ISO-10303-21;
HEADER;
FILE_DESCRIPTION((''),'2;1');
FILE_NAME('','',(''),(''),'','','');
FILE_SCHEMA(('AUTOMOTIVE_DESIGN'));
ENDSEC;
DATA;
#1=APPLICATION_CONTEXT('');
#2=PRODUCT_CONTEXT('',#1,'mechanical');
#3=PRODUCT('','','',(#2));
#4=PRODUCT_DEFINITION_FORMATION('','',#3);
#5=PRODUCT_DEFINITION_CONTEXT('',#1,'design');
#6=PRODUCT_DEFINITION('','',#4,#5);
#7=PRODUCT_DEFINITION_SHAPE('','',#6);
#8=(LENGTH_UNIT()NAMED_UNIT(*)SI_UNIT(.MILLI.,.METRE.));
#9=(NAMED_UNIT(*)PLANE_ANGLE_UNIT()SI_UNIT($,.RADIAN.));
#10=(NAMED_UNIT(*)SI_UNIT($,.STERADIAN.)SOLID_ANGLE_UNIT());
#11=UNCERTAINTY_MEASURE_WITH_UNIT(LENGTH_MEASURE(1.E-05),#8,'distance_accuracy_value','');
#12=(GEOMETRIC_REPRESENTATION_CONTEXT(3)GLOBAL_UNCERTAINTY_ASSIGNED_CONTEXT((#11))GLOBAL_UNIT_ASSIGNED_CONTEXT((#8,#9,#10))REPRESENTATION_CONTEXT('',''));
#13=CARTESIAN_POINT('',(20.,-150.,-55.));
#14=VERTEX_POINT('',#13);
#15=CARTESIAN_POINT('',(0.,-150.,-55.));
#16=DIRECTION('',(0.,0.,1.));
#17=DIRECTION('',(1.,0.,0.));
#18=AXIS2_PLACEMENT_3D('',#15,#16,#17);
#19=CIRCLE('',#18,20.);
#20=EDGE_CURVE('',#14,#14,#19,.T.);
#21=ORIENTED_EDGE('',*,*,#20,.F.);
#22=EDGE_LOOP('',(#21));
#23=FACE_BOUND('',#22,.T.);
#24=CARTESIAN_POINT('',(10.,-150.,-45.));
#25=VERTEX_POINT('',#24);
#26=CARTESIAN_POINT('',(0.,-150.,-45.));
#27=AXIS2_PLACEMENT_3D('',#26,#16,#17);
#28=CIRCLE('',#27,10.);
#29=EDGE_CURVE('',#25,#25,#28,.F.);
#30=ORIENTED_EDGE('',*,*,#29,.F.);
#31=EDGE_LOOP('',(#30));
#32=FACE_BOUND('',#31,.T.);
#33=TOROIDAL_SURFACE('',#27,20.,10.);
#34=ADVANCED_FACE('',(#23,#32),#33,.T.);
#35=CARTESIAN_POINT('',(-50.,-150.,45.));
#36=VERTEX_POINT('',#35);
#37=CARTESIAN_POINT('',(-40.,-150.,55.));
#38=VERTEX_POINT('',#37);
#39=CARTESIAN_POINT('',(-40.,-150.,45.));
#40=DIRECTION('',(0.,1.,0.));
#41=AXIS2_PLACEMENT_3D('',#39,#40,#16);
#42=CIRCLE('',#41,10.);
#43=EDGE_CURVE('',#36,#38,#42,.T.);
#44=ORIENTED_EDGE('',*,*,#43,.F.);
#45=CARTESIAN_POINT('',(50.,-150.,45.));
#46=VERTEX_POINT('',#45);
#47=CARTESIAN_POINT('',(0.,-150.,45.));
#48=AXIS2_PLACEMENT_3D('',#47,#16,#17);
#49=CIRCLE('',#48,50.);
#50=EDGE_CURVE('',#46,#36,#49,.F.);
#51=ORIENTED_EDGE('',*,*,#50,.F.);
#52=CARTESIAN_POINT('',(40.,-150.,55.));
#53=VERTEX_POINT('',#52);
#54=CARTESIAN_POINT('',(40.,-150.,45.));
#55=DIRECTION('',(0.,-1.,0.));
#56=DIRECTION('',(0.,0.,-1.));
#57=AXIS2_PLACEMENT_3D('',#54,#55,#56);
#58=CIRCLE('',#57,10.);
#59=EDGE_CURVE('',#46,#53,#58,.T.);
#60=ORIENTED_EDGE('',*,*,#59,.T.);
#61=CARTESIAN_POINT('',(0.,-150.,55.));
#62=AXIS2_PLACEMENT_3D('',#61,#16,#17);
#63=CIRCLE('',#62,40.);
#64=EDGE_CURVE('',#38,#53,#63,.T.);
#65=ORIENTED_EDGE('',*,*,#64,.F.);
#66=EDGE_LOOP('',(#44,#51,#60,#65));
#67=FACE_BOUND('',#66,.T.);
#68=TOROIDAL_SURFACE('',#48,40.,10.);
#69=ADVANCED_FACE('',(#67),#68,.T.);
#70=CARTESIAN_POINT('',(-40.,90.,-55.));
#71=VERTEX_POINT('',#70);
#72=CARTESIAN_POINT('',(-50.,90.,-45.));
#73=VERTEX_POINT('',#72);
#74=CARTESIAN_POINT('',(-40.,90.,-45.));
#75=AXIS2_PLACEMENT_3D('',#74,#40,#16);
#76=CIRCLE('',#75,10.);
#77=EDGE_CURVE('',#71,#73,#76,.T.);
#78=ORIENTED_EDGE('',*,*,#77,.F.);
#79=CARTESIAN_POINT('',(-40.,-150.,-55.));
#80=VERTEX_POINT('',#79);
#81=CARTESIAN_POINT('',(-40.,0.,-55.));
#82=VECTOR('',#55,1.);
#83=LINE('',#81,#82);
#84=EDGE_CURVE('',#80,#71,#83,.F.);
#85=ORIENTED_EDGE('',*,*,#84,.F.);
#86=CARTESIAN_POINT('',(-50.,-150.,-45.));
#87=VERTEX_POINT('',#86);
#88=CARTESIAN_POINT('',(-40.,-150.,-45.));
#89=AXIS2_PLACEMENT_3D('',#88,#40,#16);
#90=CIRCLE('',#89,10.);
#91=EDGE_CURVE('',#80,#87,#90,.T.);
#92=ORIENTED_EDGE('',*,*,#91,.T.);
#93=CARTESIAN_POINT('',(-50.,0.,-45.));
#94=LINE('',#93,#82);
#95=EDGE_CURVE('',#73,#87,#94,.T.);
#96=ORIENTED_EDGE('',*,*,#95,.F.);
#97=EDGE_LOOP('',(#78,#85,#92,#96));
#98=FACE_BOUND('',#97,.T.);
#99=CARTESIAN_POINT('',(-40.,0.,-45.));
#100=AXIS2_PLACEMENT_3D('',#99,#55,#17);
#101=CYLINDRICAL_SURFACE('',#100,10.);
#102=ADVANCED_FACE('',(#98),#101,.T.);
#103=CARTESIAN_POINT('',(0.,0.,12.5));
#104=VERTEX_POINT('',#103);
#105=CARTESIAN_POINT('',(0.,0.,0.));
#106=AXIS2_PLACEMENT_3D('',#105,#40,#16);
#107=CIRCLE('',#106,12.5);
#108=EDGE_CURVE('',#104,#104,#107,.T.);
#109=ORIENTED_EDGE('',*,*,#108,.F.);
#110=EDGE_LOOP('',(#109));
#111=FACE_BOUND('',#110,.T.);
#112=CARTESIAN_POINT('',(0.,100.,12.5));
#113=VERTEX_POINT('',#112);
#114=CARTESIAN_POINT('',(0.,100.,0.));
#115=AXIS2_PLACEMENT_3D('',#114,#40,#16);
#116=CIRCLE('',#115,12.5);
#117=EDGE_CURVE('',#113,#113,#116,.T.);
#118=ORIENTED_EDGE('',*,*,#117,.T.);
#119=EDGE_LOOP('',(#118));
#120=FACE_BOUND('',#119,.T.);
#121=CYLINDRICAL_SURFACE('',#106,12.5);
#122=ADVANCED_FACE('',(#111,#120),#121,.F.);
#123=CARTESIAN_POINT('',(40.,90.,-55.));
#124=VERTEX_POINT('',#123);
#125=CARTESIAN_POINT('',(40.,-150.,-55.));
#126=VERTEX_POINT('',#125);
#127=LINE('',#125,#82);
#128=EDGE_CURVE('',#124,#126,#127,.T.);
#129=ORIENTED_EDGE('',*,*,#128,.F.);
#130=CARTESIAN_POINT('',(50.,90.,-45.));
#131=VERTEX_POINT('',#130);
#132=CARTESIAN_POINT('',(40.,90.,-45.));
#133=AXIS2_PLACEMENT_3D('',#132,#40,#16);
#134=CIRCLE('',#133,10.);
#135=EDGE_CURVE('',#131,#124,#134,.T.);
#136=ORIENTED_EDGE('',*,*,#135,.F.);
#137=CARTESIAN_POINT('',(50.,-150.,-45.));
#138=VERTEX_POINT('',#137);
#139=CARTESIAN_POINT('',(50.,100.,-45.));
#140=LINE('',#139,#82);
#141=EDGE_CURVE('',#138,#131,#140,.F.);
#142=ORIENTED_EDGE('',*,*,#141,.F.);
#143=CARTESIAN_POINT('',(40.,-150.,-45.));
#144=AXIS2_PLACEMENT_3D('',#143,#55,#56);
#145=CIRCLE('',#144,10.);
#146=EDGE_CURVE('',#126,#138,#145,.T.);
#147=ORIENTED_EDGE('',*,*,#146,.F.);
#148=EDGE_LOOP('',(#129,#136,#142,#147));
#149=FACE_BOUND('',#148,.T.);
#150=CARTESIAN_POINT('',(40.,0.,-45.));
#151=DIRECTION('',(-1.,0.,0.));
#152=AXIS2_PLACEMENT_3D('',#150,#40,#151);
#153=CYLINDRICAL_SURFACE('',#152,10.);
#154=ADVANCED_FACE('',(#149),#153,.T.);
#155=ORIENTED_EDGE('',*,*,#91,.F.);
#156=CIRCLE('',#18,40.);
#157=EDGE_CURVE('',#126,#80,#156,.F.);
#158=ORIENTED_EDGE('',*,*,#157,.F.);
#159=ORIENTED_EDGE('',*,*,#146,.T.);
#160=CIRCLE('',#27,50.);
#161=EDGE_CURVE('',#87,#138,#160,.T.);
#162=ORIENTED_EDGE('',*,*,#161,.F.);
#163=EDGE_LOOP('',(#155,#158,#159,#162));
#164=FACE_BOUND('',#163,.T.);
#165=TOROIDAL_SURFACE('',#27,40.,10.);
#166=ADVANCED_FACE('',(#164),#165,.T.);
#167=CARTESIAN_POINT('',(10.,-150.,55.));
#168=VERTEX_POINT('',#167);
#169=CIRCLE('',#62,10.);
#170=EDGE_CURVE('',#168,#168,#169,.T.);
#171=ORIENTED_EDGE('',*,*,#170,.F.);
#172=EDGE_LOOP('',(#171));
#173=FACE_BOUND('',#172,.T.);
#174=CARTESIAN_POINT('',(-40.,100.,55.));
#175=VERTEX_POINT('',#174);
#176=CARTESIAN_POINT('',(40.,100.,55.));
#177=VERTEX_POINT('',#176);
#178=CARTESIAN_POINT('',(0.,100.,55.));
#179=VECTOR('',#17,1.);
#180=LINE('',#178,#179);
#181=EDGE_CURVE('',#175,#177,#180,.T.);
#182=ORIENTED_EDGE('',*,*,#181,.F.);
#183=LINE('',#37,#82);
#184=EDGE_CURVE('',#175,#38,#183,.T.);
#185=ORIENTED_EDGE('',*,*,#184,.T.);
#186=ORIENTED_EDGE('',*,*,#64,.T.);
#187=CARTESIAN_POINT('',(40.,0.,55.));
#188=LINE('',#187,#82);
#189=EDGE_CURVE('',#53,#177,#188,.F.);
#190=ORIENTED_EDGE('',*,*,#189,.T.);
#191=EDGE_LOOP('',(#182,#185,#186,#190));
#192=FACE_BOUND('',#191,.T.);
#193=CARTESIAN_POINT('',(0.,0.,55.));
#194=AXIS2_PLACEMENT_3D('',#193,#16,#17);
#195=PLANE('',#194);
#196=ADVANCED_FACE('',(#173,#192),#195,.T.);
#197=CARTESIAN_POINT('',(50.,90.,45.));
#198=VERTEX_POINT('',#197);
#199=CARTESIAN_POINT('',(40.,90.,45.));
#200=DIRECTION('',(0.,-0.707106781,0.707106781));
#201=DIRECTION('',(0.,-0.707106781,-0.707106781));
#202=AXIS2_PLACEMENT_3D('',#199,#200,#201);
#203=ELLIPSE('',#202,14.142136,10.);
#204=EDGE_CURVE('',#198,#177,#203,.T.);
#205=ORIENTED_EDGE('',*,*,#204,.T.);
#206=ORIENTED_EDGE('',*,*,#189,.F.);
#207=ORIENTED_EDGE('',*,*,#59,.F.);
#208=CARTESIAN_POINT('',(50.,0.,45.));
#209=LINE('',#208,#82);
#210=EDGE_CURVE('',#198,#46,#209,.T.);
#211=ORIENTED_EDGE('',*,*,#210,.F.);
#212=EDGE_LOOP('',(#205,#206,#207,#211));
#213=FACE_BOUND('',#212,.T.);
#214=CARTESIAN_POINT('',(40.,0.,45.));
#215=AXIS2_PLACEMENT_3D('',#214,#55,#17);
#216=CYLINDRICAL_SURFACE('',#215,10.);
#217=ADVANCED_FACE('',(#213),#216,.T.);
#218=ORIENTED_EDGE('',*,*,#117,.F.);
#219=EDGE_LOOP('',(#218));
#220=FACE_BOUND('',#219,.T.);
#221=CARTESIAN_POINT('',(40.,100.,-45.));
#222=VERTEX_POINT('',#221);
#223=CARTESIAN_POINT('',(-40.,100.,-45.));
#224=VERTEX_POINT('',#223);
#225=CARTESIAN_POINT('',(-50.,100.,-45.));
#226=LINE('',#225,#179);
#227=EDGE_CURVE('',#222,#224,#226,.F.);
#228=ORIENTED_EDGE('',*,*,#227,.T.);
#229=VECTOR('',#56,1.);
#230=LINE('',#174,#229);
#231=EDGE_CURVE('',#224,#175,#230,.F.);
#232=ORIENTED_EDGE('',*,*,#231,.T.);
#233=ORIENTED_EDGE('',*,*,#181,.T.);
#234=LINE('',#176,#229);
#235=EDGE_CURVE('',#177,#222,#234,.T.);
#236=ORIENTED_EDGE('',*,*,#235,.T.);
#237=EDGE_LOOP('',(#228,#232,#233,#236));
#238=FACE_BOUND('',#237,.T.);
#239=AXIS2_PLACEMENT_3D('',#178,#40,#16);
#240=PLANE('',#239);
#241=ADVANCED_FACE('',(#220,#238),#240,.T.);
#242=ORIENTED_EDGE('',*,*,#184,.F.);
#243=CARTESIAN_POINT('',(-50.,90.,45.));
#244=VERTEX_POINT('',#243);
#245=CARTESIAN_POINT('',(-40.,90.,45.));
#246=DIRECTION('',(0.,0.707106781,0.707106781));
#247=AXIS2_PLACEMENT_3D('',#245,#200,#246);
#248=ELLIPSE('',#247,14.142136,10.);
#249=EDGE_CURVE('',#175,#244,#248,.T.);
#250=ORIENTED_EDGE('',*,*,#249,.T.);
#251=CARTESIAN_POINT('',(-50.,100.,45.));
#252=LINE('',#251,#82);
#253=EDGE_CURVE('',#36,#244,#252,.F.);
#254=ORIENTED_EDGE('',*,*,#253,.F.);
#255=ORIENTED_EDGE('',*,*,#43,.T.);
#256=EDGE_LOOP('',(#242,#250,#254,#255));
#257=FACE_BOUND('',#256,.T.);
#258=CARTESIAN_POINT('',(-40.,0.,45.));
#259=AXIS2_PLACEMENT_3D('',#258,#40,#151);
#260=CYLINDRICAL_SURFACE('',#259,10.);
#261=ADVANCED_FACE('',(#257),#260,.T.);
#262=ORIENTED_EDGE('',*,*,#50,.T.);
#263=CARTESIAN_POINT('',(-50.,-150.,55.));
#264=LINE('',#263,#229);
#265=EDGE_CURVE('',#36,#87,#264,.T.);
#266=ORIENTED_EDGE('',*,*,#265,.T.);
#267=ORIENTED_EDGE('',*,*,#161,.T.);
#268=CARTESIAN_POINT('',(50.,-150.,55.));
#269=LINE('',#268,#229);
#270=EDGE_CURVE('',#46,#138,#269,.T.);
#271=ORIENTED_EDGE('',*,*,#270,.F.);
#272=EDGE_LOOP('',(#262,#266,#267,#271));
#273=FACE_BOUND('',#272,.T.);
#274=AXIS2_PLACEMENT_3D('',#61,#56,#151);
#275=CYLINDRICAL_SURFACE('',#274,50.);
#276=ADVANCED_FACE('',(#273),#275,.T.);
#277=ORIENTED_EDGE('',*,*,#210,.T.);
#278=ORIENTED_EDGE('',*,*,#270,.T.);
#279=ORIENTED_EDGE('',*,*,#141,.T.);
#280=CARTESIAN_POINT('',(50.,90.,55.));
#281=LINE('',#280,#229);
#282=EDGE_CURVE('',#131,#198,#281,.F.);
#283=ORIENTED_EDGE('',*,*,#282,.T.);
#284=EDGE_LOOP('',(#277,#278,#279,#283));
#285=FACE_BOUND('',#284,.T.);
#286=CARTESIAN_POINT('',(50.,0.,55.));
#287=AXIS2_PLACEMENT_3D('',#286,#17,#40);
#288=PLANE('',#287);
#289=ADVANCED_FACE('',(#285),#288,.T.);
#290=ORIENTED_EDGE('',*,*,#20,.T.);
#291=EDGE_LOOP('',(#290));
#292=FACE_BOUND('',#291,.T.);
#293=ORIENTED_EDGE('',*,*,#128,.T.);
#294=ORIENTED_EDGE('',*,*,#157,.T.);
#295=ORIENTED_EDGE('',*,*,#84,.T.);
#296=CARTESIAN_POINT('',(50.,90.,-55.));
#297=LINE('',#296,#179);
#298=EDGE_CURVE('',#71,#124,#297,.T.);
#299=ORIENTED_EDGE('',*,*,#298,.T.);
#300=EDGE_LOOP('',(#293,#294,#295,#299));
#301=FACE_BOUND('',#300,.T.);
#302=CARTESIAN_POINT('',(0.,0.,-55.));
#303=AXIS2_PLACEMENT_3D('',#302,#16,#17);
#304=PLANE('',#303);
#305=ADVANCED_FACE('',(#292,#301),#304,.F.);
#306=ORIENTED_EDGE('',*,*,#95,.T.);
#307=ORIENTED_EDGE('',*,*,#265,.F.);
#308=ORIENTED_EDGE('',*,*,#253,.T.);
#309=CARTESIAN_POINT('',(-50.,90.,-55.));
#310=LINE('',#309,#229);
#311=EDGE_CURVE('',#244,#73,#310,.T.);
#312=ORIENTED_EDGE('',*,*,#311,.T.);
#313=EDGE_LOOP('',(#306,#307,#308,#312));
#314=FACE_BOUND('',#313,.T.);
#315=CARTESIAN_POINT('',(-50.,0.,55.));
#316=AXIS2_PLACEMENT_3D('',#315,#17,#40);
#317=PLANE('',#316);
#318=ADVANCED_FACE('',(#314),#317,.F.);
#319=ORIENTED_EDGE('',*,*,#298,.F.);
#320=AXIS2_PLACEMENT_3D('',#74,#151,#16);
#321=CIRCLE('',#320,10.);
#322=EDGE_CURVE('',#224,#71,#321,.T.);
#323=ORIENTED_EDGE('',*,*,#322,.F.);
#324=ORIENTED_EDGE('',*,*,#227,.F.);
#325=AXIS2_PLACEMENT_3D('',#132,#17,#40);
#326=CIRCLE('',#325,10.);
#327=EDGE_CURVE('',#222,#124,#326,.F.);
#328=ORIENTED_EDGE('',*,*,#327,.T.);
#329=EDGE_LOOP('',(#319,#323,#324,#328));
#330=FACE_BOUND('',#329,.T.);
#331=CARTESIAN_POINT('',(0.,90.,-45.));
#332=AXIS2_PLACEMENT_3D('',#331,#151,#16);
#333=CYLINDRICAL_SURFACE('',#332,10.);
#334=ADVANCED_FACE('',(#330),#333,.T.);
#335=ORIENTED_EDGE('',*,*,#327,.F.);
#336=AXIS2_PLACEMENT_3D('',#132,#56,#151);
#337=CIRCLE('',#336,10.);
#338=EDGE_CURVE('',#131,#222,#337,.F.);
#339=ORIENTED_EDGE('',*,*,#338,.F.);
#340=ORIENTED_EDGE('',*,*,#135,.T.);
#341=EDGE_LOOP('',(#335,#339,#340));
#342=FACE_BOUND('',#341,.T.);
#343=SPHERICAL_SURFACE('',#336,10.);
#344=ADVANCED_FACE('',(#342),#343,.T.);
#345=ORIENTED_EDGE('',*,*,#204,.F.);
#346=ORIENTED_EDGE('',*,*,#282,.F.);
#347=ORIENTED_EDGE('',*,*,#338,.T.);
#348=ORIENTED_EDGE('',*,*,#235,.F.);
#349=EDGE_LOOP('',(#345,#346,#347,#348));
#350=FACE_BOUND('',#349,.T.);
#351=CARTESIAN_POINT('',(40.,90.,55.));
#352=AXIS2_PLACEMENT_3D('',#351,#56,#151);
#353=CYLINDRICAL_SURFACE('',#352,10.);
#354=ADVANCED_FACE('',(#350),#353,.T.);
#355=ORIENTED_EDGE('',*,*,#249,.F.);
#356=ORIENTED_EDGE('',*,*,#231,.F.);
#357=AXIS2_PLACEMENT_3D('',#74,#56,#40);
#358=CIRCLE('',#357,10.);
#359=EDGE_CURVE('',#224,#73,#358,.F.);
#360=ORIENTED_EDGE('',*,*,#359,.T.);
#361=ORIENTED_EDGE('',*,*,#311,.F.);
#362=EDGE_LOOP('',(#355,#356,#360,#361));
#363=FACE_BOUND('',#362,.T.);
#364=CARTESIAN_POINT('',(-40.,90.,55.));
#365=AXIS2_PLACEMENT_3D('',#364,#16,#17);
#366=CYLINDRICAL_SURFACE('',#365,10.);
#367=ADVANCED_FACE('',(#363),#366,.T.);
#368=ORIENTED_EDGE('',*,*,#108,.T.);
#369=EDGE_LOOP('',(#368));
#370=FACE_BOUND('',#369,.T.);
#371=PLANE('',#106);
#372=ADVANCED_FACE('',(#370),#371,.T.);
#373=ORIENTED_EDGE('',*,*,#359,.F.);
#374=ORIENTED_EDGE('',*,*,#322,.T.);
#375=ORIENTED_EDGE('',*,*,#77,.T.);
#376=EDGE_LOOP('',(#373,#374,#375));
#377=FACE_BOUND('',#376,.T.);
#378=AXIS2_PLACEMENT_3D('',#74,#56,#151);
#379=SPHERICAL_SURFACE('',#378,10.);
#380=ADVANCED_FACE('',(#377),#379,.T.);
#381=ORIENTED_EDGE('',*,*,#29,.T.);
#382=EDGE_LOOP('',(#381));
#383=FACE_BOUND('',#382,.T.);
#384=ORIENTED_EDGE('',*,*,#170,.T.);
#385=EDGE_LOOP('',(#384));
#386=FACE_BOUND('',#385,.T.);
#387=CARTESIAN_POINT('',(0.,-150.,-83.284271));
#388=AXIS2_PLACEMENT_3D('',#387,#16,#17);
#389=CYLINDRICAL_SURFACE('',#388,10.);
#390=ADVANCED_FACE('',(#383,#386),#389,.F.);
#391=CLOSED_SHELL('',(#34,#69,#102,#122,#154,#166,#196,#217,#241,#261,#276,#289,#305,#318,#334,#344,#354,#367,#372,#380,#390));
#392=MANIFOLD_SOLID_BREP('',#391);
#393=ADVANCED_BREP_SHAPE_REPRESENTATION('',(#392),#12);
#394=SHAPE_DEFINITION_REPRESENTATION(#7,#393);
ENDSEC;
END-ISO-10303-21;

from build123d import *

# Parameters (mm, degrees)
SKETCH2_W           = 100
SKETCH2_H           = 200
BOSS_EXTRUDE1_DEPTH = 55
SKETCH3_R           = 10
CUT_EXTRUDE1_DEPTH  = 110
SKETCH4_R           = 12.5
CUT_EXTRUDE2_DEPTH  = 100
FILLET1_R           = 10


with BuildPart() as part:
    # Sketch2 → Boss-Extrude1 (new body, symmetric)
    with BuildSketch(Plane.XY):
        Rectangle(SKETCH2_W, SKETCH2_H)
        with BuildLine():
            ThreePointArc((50, -150), (0, -200), (-50, -150))
            Line((-50, -150), (-50, -100))
            Line((-50, -100), (50, -100))
            Line((50, -100), (50, -150))
        make_face()
    extrude(amount=BOSS_EXTRUDE1_DEPTH, both=True)

    # Sketch3 → Cut-Extrude1 (cut)
    with BuildSketch(Plane.XY.offset(55)):
        with Locations((0, -150)):
            Circle(SKETCH3_R)
    extrude(amount=-CUT_EXTRUDE1_DEPTH, mode=Mode.SUBTRACT)

    # Sketch4 → Cut-Extrude2 (cut)
    with BuildSketch(Plane(origin=(0, 100, 0), x_dir=(1, 0, 0), z_dir=(0, 1, 0))):
        Circle(SKETCH4_R)
    extrude(amount=-CUT_EXTRUDE2_DEPTH, mode=Mode.SUBTRACT)

    # Fillet1
    fillet1_edges = [part.edges().sort_by_distance(p)[0] for p in [
        (50, 100, 0),
        (-50, -25, 55),
        (-10, -150, -55),
        (0, -200, 55),
        (50, -25, 55),
        (0, -200, -55),
        (-50, -25, -55),
        (0, 100, -55),
        (50, -25, -55),
        (-50, 100, 0),
    ]]
    fillet(fillet1_edges, radius=FILLET1_R)


solid = part.part
